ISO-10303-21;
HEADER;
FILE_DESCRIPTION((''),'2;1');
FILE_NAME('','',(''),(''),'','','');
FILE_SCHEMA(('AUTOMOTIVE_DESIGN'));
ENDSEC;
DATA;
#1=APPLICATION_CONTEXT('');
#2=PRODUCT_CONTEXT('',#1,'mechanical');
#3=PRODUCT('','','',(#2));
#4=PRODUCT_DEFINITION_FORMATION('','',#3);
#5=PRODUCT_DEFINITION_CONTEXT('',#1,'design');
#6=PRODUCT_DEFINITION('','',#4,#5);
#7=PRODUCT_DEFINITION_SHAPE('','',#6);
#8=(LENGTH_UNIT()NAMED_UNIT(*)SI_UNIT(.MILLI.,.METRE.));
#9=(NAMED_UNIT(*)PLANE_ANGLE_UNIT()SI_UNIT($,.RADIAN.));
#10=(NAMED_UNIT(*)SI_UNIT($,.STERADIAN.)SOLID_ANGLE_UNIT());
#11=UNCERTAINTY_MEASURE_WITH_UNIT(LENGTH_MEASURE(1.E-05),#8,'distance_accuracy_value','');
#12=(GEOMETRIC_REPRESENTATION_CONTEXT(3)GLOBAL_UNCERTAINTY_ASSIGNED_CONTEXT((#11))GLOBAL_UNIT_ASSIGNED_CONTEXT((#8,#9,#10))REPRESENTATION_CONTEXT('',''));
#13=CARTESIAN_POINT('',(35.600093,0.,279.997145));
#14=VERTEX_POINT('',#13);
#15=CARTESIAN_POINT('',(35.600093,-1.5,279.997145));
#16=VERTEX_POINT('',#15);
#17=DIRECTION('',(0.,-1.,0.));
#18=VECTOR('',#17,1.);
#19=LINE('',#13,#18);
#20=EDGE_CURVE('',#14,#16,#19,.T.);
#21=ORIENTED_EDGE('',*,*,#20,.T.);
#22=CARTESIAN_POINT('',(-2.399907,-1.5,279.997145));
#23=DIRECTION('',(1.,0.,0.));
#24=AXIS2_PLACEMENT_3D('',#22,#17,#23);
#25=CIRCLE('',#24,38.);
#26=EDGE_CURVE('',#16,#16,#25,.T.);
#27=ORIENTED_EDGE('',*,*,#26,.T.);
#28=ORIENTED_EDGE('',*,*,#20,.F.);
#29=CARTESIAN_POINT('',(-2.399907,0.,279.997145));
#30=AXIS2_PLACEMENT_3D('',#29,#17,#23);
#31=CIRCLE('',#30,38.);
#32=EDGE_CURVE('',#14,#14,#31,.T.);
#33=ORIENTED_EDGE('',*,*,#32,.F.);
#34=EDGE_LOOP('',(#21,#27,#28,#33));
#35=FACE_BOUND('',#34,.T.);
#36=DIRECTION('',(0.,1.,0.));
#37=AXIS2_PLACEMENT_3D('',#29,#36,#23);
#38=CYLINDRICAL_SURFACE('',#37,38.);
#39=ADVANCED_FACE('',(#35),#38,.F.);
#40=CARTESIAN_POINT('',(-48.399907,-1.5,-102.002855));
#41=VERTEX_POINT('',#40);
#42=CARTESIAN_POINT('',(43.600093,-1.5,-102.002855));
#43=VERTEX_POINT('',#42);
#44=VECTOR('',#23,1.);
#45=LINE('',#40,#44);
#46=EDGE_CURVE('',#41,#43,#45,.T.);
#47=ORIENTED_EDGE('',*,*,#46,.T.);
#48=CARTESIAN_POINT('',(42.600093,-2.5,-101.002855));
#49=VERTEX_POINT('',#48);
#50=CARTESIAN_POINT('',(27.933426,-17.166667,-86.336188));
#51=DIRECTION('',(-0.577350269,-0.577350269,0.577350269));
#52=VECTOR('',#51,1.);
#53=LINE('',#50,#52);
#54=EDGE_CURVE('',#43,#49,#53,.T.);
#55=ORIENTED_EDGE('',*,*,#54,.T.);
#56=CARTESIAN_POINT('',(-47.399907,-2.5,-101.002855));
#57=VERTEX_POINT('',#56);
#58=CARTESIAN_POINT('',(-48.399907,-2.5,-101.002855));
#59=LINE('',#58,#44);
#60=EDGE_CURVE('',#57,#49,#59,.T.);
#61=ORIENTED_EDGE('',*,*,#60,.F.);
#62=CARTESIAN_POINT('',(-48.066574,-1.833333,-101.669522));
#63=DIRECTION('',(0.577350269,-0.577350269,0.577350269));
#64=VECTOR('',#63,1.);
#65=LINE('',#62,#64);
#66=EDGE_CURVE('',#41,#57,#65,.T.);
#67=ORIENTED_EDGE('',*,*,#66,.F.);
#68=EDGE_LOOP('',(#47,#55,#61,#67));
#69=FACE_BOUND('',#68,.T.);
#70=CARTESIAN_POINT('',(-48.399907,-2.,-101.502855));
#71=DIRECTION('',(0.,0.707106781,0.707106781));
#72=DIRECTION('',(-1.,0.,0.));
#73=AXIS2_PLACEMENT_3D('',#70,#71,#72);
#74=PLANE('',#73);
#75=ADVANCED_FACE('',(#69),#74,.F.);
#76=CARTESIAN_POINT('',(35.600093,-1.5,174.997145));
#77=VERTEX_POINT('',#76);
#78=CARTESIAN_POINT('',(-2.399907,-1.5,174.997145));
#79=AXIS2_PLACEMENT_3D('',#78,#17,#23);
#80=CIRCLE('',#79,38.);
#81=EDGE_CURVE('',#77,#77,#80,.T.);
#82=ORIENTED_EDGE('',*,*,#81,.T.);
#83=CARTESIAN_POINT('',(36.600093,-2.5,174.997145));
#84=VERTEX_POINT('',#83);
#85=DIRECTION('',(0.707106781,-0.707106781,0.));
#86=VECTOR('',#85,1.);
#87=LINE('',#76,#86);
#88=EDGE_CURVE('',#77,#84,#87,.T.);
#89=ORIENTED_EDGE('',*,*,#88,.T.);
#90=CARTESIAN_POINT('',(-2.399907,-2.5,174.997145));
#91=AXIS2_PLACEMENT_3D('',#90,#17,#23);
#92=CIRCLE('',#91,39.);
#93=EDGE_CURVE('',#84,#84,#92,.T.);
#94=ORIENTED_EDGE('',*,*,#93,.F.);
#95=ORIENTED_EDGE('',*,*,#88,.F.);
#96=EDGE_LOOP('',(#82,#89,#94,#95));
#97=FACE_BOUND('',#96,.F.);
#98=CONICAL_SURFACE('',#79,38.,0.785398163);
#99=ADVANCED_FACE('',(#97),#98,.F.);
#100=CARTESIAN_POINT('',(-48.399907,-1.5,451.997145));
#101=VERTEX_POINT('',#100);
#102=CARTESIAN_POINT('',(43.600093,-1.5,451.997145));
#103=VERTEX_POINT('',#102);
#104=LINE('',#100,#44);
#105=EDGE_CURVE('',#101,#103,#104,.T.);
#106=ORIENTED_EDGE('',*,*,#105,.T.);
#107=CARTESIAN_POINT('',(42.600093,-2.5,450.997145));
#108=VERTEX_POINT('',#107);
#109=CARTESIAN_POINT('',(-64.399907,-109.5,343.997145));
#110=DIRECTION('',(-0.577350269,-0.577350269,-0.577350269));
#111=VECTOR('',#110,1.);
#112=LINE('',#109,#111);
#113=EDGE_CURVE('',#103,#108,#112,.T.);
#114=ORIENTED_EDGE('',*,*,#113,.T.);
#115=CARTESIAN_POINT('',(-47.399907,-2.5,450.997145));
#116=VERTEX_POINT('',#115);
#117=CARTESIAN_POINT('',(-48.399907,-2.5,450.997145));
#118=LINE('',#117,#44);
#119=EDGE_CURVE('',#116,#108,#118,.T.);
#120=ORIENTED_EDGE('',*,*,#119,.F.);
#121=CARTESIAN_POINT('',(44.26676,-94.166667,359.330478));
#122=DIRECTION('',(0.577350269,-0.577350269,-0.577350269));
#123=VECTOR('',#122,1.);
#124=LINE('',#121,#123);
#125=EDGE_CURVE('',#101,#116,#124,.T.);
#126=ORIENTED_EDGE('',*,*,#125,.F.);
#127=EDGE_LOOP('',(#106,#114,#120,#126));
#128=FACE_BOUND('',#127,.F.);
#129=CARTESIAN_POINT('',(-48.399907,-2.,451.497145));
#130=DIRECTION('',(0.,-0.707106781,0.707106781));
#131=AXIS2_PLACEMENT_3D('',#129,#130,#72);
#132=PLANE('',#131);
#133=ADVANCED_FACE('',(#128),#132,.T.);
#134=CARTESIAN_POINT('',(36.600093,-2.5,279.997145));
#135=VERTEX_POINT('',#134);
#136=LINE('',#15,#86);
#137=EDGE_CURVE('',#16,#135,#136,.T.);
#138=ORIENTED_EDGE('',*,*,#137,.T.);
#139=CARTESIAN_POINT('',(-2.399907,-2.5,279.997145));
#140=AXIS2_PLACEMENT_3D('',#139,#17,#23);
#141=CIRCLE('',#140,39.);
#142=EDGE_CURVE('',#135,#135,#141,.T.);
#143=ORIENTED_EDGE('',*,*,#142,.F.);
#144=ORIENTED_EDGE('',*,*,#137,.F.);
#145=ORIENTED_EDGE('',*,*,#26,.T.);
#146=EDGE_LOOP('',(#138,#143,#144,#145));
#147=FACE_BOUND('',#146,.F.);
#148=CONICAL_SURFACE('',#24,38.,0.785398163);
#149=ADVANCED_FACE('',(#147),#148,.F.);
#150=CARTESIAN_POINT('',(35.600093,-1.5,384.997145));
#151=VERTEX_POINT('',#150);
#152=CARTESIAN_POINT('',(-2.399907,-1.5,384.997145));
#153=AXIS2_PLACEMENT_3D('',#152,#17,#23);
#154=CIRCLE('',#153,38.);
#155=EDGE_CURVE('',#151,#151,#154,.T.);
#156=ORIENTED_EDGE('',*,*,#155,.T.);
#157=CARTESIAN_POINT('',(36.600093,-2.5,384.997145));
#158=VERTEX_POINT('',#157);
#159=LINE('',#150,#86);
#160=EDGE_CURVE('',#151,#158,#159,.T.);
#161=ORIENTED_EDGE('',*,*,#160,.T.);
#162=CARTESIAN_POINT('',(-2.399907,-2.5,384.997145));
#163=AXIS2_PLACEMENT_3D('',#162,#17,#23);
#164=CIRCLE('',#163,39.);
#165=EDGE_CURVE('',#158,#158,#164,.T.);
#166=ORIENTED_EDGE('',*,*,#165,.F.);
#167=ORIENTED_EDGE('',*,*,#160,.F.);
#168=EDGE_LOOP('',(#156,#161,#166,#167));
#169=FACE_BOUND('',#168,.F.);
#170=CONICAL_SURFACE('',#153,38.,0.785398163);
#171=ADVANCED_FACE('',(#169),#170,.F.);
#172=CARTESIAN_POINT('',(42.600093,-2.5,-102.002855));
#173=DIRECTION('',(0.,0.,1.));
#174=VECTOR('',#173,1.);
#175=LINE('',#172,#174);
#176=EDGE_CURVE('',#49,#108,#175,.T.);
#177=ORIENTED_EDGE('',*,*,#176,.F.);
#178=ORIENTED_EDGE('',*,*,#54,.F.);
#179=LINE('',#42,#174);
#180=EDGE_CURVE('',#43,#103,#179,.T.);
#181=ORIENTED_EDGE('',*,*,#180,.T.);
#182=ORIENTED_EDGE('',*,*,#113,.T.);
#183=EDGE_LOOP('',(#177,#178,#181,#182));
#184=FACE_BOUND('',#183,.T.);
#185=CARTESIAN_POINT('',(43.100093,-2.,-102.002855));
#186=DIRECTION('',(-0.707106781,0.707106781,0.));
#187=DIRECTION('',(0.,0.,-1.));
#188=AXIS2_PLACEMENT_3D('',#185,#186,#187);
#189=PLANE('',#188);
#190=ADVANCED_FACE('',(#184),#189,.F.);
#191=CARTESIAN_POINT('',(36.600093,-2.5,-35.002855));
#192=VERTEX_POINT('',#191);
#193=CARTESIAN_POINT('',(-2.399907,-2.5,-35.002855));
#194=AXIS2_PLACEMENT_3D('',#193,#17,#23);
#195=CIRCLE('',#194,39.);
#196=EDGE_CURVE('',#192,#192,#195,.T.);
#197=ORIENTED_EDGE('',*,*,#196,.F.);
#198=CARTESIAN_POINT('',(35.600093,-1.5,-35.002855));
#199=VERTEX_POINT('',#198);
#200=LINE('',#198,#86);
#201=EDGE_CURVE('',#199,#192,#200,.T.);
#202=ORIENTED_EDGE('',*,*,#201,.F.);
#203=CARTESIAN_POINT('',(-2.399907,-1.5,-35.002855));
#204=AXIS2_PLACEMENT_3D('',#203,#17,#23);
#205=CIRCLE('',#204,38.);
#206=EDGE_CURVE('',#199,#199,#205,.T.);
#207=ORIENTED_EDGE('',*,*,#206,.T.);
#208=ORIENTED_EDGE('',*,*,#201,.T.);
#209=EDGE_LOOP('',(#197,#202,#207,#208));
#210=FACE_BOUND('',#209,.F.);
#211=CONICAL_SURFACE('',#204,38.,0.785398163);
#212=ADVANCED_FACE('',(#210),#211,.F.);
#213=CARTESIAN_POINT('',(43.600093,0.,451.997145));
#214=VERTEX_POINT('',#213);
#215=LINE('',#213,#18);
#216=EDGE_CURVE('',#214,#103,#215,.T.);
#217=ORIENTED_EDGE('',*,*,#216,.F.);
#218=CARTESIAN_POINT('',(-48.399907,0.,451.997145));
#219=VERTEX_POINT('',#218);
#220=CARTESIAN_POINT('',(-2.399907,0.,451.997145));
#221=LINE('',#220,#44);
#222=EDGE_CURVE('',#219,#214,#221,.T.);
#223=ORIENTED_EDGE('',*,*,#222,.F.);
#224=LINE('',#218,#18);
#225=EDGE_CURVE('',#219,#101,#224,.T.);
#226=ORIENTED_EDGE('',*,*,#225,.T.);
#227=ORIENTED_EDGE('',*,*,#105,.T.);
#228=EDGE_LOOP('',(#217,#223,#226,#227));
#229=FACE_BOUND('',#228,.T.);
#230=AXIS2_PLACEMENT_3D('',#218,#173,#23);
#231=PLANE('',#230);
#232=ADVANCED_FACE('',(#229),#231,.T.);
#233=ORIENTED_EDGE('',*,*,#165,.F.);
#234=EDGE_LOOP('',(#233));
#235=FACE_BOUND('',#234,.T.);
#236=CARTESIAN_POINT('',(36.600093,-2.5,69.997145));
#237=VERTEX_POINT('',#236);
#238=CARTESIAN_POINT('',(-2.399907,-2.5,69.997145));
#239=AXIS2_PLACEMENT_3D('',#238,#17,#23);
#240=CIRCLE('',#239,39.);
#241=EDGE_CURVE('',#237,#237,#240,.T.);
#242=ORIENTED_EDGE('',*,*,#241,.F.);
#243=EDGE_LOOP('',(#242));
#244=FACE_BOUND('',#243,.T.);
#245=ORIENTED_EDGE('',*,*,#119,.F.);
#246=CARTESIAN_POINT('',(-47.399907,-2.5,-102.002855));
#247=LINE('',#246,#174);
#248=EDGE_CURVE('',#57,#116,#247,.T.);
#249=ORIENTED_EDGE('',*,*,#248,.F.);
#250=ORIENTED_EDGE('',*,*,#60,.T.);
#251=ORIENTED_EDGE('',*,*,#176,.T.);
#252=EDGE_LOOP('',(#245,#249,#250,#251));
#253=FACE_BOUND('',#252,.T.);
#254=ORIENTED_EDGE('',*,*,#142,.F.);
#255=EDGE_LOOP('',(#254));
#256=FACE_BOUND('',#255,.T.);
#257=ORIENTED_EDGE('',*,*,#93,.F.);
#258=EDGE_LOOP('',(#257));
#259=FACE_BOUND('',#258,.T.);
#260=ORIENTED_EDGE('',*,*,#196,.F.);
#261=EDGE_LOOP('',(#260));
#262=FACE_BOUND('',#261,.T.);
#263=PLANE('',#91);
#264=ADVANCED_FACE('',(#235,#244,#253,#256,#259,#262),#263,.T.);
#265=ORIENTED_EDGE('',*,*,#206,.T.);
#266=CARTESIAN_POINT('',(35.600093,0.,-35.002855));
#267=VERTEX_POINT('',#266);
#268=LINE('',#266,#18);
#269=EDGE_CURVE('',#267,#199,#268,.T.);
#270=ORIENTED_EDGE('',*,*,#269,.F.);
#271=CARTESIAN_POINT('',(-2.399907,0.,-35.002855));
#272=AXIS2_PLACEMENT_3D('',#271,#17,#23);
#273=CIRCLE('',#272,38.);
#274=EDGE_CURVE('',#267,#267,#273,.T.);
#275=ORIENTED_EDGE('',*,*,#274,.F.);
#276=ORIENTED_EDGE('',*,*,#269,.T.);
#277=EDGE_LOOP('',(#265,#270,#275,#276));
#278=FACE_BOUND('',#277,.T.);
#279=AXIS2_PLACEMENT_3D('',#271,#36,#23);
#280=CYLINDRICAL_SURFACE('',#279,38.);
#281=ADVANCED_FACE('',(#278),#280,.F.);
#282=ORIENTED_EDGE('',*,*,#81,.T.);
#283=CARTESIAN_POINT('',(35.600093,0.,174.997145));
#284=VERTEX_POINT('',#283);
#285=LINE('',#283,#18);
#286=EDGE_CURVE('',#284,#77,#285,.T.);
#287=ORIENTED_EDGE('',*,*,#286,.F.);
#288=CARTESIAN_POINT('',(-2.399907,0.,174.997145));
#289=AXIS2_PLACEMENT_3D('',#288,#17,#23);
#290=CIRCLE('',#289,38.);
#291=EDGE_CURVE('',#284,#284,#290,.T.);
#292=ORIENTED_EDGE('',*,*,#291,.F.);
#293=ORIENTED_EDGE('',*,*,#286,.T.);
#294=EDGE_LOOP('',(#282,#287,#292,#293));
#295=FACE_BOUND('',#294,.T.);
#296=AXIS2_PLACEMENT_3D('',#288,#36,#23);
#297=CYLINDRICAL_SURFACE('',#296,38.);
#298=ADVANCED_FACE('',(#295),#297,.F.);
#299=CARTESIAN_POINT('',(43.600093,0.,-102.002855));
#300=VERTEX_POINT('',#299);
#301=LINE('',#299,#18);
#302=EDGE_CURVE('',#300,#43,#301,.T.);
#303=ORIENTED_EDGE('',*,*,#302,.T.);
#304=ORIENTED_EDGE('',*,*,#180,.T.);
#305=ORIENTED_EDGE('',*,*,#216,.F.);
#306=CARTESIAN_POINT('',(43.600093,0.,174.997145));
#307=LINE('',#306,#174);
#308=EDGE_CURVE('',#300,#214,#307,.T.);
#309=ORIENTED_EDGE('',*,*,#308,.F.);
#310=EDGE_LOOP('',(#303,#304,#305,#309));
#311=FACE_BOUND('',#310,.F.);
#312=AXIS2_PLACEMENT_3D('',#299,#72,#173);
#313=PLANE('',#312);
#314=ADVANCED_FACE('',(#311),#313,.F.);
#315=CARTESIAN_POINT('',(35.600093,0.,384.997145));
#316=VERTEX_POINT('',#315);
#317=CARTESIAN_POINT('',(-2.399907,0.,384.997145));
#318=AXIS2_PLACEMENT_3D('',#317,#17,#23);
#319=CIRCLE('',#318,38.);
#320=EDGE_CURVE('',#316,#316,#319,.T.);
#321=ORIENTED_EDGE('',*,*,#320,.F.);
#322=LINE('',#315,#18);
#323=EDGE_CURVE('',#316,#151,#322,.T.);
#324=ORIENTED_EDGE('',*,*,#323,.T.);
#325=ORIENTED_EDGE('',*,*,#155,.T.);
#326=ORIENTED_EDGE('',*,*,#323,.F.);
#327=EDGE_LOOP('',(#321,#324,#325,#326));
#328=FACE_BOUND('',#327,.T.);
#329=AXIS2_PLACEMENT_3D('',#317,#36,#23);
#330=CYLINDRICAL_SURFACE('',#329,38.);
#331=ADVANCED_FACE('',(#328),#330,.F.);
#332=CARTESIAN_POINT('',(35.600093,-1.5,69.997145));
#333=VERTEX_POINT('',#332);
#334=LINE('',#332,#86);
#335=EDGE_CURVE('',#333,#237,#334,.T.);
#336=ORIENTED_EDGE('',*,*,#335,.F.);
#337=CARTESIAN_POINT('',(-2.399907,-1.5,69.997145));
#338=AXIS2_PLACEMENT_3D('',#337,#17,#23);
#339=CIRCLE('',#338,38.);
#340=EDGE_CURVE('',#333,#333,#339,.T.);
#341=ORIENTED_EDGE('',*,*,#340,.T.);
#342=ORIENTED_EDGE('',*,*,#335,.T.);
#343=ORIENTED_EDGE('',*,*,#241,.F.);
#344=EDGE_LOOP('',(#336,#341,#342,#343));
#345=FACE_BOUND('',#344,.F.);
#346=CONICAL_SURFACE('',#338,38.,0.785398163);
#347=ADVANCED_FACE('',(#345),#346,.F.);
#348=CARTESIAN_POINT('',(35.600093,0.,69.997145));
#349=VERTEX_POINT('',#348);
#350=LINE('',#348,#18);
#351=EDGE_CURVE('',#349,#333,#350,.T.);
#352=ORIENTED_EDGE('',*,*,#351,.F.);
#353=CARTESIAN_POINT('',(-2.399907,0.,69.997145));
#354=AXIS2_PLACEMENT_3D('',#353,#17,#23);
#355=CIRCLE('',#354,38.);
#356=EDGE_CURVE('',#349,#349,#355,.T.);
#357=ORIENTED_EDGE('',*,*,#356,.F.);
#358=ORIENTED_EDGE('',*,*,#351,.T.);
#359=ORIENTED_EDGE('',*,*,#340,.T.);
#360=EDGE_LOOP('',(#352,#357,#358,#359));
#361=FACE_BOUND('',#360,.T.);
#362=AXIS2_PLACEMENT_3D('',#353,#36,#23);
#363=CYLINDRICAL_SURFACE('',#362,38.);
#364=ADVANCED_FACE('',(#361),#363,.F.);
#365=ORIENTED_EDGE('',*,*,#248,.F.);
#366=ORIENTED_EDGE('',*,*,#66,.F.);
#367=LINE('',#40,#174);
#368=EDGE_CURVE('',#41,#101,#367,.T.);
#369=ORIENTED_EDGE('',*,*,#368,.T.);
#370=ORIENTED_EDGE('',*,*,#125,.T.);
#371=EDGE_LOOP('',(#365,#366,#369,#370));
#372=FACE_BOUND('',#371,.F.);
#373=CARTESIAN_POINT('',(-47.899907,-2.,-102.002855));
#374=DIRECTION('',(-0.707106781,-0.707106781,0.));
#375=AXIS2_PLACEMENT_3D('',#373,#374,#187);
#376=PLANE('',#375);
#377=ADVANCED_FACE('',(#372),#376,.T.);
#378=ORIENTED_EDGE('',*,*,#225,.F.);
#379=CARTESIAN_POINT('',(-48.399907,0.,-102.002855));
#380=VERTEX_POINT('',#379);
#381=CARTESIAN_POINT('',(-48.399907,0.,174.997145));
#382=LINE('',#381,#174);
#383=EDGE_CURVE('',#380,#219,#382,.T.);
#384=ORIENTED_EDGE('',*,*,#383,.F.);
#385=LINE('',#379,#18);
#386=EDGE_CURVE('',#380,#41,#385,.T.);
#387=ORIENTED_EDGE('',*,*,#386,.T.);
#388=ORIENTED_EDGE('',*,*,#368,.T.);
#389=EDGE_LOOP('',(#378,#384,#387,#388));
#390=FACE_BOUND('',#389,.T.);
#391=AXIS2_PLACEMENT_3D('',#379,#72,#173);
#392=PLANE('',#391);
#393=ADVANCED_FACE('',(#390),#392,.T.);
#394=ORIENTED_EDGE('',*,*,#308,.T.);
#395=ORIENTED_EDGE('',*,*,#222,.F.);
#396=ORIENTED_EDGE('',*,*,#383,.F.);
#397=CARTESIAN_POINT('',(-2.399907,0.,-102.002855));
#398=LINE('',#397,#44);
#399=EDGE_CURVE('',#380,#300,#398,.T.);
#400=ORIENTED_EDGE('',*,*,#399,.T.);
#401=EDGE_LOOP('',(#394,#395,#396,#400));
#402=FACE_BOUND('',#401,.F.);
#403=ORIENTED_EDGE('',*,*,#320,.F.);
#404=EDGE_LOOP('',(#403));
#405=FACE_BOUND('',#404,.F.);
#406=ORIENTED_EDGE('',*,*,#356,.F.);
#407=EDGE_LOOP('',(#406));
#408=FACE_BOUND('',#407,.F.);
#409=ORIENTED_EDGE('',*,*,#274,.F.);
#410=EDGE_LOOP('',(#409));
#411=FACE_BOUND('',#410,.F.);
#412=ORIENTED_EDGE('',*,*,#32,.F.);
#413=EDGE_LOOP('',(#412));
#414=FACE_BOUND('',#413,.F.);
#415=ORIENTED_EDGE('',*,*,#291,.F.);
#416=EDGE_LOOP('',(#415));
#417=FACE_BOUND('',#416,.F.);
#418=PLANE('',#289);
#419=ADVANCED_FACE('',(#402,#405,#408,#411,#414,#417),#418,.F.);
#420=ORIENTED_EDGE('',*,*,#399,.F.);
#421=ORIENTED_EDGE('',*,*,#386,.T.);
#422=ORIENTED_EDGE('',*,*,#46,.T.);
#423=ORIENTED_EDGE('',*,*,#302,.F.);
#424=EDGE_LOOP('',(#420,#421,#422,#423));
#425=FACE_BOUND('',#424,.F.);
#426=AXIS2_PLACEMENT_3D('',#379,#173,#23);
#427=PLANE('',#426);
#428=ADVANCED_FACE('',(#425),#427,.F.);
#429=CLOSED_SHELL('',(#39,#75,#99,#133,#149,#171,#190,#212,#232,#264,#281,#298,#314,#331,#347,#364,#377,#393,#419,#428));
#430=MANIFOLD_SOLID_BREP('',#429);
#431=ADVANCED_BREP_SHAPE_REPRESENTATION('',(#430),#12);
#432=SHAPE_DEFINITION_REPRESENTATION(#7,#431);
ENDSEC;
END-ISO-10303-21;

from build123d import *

# Parameters (mm, degrees)
F0_W     = 92
F0_H     = 554
F0_R     = 38
F1_DEPTH = 2.5
F2_SIZE  = 1


with BuildPart() as f1:
    # F0 (on Front) → F1 (new body)
    with BuildSketch(Plane.XZ):
        with Locations((-2.399907, 174.997145)):
            Rectangle(F0_W, F0_H)
        with Locations((-2.399907, -35.002855)):
            Circle(F0_R, mode=Mode.SUBTRACT)
        with Locations((-2.399907, 69.997145)):
            Circle(F0_R, mode=Mode.SUBTRACT)
        with Locations((-2.399907, 174.997145)):
            Circle(F0_R, mode=Mode.SUBTRACT)
        with Locations((-2.399907, 279.997145)):
            Circle(F0_R, mode=Mode.SUBTRACT)
        with Locations((-2.399907, 384.997145)):
            Circle(F0_R, mode=Mode.SUBTRACT)
    extrude(amount=F1_DEPTH)

    # F2
    f2_edges = [f1.edges().sort_by_distance(p)[0] for p in [
        (-2.399907, -2.5, -102.002855),
        (43.600093, -2.5, 174.997145),
        (-2.399907, -2.5, 451.997145),
        (-48.399907, -2.5, 174.997145),
        (-40.399907, -2.5, -35.002855),
        (-40.399907, -2.5, 69.997145),
        (-40.399907, -2.5, 174.997145),
        (-40.399907, -2.5, 279.997145),
        (-40.399907, -2.5, 384.997145),
    ]]
    chamfer(f2_edges, length=F2_SIZE)


solid = f1.part
